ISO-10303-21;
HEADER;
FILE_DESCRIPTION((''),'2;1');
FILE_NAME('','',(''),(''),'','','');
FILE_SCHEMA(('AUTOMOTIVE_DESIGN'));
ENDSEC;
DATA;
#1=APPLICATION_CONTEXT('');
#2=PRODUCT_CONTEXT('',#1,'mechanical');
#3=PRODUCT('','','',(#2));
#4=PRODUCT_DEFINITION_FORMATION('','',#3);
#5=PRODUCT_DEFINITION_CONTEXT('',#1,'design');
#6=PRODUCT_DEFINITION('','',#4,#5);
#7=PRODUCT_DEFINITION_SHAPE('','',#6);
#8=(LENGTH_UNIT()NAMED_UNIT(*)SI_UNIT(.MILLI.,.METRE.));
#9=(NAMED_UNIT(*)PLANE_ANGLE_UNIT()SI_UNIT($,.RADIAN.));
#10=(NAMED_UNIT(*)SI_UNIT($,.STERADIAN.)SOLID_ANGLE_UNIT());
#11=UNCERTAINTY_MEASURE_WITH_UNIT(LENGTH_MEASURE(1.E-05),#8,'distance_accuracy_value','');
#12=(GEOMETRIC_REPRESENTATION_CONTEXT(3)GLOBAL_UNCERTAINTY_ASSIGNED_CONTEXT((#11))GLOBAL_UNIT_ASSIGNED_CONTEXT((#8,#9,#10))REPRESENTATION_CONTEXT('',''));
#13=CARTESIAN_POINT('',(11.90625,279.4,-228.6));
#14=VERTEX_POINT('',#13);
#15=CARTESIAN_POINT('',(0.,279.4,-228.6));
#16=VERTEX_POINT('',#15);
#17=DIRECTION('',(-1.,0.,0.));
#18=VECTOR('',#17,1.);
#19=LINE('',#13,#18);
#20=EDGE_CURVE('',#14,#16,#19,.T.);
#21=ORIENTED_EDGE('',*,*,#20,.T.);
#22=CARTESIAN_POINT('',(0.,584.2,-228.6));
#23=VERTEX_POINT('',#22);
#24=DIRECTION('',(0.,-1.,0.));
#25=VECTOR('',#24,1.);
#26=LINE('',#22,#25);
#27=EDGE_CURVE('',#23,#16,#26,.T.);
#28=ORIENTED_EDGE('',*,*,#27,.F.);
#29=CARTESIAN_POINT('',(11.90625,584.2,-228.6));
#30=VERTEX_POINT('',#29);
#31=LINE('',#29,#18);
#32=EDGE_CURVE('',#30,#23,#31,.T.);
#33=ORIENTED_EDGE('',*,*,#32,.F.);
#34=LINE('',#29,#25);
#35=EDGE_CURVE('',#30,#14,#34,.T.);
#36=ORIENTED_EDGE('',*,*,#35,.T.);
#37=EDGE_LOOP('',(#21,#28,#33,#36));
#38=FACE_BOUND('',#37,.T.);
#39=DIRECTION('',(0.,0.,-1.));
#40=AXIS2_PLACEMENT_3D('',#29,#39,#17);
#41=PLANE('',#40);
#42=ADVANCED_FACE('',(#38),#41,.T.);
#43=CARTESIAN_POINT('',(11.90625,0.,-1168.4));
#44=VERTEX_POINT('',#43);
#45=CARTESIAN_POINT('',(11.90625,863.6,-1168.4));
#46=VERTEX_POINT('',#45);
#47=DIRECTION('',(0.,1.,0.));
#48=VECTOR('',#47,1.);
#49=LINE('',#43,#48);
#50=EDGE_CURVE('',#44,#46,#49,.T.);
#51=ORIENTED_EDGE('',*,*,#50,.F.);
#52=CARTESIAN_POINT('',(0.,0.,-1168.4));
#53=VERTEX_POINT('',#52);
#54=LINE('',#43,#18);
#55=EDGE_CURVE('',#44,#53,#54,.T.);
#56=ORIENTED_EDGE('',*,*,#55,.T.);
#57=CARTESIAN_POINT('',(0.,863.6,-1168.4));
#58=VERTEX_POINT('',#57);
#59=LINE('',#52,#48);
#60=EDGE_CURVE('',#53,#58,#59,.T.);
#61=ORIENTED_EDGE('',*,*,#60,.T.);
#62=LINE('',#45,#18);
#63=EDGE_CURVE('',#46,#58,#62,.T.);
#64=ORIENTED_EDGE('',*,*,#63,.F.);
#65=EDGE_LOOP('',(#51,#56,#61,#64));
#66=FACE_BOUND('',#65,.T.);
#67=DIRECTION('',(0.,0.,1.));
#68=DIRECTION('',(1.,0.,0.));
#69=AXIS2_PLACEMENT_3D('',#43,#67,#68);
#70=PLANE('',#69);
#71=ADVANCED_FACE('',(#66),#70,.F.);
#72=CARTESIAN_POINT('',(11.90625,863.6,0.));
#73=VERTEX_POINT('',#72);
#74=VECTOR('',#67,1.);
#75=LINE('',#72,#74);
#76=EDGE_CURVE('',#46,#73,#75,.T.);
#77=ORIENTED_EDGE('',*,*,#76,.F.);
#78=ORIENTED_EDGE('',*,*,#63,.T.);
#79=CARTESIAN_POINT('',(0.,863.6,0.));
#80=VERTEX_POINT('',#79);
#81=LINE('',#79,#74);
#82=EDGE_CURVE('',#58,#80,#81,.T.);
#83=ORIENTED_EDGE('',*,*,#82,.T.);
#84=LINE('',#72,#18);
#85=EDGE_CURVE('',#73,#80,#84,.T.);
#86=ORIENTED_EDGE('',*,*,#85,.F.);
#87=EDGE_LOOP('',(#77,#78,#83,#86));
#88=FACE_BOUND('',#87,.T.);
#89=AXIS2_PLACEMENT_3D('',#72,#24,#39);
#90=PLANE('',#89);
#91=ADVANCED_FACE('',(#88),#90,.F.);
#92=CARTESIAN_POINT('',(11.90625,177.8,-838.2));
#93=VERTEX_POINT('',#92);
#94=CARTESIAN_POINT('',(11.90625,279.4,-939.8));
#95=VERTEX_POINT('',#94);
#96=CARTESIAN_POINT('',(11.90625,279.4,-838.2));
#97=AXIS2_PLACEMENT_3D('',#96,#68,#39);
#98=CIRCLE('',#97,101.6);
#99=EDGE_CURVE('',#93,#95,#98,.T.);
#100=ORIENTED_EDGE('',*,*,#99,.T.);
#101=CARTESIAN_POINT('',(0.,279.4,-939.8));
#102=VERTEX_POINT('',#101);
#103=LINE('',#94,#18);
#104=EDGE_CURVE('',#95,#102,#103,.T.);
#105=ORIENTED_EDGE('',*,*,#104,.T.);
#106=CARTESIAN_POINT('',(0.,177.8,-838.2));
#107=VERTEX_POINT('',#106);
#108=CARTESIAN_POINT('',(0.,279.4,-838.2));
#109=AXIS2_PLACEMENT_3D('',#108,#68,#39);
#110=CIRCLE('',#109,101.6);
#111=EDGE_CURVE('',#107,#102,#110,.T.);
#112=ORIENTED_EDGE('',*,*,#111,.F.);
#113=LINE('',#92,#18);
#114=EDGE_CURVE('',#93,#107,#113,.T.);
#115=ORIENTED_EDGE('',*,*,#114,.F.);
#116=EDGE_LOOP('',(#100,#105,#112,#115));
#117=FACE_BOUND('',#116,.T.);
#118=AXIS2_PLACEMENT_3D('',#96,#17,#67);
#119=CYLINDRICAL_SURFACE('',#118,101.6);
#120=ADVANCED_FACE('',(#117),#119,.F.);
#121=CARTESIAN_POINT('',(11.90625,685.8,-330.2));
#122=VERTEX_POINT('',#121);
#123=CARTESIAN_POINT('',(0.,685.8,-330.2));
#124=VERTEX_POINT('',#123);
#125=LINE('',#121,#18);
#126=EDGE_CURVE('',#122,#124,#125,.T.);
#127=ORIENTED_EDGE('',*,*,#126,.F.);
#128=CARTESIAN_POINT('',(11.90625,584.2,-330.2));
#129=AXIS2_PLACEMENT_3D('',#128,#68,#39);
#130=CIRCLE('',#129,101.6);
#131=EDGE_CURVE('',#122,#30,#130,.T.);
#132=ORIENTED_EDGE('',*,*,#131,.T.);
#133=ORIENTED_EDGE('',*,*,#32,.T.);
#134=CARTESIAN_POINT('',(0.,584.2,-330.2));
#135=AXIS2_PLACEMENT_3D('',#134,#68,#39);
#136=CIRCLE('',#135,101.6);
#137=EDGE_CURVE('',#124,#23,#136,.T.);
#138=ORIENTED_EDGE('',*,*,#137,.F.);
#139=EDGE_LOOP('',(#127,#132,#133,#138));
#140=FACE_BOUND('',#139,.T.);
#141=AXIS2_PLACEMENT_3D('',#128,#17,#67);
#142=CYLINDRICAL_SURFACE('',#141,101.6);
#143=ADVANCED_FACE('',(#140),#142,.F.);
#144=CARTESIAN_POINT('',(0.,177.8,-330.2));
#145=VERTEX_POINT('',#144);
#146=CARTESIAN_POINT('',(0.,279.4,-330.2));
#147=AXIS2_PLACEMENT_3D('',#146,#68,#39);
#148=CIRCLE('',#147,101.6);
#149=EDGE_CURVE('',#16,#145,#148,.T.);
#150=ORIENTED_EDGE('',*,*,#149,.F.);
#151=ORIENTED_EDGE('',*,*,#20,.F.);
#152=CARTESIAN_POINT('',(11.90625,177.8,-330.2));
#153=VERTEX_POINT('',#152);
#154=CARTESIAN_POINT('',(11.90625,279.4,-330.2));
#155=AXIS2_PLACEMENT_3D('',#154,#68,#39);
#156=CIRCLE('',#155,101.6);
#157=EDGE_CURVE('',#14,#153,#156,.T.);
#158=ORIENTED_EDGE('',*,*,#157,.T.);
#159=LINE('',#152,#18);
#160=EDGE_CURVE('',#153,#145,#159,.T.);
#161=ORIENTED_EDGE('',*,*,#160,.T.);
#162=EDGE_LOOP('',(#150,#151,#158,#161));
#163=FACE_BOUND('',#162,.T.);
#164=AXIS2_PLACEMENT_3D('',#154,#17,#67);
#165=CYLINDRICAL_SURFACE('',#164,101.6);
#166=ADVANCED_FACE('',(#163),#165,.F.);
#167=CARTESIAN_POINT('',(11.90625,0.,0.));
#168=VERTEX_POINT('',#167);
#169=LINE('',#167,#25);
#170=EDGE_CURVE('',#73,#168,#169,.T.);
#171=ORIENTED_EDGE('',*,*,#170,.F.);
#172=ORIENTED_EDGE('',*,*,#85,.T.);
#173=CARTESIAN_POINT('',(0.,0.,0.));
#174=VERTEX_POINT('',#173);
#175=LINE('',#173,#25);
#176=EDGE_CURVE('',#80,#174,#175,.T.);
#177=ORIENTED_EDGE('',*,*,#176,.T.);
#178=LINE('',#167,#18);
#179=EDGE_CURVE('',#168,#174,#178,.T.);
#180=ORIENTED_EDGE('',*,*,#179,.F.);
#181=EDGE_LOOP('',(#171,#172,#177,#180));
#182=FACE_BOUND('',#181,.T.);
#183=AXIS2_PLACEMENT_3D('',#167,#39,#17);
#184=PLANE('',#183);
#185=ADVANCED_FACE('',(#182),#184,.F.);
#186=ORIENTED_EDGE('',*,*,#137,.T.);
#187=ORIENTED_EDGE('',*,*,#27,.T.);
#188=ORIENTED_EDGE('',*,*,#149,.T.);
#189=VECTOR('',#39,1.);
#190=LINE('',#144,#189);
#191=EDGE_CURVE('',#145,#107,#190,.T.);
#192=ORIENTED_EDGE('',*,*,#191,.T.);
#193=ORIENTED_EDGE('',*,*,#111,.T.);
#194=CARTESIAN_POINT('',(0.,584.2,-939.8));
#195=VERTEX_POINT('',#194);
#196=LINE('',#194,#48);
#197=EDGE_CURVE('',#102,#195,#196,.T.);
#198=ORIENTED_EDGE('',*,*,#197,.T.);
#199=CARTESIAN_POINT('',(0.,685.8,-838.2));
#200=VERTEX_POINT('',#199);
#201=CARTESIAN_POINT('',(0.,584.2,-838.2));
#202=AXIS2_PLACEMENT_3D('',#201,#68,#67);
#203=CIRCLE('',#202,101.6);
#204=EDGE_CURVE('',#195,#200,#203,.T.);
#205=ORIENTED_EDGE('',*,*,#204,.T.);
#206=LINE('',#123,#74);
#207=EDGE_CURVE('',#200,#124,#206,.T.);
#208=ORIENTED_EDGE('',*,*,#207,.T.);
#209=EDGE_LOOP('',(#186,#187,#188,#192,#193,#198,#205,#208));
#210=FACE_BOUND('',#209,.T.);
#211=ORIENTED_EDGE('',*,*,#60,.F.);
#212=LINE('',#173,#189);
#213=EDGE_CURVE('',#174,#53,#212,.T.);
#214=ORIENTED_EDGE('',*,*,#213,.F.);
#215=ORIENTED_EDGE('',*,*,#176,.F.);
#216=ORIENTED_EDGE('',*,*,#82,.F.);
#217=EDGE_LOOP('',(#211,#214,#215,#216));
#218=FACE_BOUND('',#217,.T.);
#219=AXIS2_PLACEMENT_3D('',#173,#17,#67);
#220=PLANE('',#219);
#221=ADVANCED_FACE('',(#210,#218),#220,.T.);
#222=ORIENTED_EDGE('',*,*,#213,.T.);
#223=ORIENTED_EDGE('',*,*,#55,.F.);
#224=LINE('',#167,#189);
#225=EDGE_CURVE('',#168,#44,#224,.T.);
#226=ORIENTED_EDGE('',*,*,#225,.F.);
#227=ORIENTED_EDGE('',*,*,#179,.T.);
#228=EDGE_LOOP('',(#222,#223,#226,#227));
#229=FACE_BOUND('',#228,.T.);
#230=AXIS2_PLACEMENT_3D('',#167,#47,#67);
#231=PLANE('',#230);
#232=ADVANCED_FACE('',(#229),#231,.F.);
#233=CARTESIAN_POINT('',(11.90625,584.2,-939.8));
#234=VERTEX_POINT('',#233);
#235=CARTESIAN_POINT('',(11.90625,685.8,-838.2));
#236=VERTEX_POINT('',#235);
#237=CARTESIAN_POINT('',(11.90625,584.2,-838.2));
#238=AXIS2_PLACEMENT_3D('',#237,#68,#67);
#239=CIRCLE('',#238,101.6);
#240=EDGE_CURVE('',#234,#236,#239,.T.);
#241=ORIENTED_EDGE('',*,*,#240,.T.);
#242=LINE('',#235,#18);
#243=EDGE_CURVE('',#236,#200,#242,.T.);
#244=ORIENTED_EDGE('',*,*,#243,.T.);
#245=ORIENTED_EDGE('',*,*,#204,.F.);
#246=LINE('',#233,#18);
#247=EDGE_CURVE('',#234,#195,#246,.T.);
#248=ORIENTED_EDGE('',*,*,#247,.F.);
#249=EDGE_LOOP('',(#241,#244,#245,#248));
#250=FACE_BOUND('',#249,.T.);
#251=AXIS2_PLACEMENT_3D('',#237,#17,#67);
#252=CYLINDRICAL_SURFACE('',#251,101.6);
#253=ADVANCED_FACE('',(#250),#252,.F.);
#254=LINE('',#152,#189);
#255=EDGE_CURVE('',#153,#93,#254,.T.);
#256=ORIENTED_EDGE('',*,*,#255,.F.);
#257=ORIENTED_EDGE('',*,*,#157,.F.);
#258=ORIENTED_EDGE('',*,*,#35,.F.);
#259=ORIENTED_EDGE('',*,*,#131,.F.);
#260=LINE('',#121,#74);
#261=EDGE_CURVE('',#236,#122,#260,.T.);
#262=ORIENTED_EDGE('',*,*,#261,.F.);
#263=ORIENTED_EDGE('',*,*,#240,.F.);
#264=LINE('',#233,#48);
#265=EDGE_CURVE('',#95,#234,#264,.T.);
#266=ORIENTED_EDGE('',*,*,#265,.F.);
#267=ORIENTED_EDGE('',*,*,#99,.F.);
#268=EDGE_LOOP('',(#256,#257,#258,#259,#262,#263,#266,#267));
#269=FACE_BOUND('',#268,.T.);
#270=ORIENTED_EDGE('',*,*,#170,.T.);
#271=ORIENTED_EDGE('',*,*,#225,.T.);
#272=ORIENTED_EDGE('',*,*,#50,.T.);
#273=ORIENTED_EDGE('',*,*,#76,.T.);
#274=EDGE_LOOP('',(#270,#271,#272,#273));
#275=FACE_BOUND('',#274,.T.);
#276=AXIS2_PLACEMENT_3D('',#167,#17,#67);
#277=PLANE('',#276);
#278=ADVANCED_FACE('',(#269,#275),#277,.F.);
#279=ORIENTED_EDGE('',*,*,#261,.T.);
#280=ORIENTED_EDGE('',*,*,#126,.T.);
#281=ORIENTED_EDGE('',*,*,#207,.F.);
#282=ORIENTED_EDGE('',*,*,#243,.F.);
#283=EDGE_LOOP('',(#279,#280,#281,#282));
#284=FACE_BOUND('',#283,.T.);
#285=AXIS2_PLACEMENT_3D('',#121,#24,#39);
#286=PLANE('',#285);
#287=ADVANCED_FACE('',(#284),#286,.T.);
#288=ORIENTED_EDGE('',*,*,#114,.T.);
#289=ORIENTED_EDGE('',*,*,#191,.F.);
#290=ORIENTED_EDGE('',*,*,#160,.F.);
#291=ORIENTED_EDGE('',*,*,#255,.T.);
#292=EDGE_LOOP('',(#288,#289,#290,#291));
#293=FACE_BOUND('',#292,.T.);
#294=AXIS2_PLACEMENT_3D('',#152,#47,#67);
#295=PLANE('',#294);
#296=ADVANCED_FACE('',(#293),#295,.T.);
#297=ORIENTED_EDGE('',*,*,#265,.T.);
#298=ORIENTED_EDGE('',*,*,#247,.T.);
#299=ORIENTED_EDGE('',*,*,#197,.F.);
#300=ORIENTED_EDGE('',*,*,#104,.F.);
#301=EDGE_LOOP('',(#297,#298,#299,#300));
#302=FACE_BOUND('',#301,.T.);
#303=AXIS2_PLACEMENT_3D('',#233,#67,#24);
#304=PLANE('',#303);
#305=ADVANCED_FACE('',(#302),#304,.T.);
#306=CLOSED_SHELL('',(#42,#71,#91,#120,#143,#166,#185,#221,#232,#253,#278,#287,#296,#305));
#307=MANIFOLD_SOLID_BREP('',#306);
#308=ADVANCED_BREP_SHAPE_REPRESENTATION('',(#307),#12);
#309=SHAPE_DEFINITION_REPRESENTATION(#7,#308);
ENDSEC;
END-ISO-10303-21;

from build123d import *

# Parameters (mm, degrees)
SKETCH1_W           = 1168.4
SKETCH1_H           = 863.6
BOSS_EXTRUDE1_DEPTH = 11.90625


with BuildPart() as part:
    # Sketch1 → Boss-Extrude1 (new body)
    with BuildSketch(Plane(origin=(0, 0, 0), x_dir=(0, 0, -1), z_dir=(1, 0, 0))):
        with Locations((584.2, 431.8)):
            Rectangle(SKETCH1_W, SKETCH1_H)
        with BuildLine():
            Line((330.2, 685.8), (838.2, 685.8))
            ThreePointArc((838.2, 685.8), (910.042048969, 656.042048969), (939.8, 584.2))
            Line((939.8, 584.2), (939.8, 279.4))
            ThreePointArc((939.8, 279.4), (910.042048969, 207.557951031), (838.2, 177.8))
            Line((838.2, 177.8), (330.2, 177.8))
            ThreePointArc((330.2, 177.8), (258.357951031, 207.557951031), (228.6, 279.4))
            Line((228.6, 279.4), (228.6, 584.2))
            ThreePointArc((228.6, 584.2), (258.357951031, 656.042048969), (330.2, 685.8))
        make_face(mode=Mode.SUBTRACT)
    extrude(amount=BOSS_EXTRUDE1_DEPTH)


solid = part.part
